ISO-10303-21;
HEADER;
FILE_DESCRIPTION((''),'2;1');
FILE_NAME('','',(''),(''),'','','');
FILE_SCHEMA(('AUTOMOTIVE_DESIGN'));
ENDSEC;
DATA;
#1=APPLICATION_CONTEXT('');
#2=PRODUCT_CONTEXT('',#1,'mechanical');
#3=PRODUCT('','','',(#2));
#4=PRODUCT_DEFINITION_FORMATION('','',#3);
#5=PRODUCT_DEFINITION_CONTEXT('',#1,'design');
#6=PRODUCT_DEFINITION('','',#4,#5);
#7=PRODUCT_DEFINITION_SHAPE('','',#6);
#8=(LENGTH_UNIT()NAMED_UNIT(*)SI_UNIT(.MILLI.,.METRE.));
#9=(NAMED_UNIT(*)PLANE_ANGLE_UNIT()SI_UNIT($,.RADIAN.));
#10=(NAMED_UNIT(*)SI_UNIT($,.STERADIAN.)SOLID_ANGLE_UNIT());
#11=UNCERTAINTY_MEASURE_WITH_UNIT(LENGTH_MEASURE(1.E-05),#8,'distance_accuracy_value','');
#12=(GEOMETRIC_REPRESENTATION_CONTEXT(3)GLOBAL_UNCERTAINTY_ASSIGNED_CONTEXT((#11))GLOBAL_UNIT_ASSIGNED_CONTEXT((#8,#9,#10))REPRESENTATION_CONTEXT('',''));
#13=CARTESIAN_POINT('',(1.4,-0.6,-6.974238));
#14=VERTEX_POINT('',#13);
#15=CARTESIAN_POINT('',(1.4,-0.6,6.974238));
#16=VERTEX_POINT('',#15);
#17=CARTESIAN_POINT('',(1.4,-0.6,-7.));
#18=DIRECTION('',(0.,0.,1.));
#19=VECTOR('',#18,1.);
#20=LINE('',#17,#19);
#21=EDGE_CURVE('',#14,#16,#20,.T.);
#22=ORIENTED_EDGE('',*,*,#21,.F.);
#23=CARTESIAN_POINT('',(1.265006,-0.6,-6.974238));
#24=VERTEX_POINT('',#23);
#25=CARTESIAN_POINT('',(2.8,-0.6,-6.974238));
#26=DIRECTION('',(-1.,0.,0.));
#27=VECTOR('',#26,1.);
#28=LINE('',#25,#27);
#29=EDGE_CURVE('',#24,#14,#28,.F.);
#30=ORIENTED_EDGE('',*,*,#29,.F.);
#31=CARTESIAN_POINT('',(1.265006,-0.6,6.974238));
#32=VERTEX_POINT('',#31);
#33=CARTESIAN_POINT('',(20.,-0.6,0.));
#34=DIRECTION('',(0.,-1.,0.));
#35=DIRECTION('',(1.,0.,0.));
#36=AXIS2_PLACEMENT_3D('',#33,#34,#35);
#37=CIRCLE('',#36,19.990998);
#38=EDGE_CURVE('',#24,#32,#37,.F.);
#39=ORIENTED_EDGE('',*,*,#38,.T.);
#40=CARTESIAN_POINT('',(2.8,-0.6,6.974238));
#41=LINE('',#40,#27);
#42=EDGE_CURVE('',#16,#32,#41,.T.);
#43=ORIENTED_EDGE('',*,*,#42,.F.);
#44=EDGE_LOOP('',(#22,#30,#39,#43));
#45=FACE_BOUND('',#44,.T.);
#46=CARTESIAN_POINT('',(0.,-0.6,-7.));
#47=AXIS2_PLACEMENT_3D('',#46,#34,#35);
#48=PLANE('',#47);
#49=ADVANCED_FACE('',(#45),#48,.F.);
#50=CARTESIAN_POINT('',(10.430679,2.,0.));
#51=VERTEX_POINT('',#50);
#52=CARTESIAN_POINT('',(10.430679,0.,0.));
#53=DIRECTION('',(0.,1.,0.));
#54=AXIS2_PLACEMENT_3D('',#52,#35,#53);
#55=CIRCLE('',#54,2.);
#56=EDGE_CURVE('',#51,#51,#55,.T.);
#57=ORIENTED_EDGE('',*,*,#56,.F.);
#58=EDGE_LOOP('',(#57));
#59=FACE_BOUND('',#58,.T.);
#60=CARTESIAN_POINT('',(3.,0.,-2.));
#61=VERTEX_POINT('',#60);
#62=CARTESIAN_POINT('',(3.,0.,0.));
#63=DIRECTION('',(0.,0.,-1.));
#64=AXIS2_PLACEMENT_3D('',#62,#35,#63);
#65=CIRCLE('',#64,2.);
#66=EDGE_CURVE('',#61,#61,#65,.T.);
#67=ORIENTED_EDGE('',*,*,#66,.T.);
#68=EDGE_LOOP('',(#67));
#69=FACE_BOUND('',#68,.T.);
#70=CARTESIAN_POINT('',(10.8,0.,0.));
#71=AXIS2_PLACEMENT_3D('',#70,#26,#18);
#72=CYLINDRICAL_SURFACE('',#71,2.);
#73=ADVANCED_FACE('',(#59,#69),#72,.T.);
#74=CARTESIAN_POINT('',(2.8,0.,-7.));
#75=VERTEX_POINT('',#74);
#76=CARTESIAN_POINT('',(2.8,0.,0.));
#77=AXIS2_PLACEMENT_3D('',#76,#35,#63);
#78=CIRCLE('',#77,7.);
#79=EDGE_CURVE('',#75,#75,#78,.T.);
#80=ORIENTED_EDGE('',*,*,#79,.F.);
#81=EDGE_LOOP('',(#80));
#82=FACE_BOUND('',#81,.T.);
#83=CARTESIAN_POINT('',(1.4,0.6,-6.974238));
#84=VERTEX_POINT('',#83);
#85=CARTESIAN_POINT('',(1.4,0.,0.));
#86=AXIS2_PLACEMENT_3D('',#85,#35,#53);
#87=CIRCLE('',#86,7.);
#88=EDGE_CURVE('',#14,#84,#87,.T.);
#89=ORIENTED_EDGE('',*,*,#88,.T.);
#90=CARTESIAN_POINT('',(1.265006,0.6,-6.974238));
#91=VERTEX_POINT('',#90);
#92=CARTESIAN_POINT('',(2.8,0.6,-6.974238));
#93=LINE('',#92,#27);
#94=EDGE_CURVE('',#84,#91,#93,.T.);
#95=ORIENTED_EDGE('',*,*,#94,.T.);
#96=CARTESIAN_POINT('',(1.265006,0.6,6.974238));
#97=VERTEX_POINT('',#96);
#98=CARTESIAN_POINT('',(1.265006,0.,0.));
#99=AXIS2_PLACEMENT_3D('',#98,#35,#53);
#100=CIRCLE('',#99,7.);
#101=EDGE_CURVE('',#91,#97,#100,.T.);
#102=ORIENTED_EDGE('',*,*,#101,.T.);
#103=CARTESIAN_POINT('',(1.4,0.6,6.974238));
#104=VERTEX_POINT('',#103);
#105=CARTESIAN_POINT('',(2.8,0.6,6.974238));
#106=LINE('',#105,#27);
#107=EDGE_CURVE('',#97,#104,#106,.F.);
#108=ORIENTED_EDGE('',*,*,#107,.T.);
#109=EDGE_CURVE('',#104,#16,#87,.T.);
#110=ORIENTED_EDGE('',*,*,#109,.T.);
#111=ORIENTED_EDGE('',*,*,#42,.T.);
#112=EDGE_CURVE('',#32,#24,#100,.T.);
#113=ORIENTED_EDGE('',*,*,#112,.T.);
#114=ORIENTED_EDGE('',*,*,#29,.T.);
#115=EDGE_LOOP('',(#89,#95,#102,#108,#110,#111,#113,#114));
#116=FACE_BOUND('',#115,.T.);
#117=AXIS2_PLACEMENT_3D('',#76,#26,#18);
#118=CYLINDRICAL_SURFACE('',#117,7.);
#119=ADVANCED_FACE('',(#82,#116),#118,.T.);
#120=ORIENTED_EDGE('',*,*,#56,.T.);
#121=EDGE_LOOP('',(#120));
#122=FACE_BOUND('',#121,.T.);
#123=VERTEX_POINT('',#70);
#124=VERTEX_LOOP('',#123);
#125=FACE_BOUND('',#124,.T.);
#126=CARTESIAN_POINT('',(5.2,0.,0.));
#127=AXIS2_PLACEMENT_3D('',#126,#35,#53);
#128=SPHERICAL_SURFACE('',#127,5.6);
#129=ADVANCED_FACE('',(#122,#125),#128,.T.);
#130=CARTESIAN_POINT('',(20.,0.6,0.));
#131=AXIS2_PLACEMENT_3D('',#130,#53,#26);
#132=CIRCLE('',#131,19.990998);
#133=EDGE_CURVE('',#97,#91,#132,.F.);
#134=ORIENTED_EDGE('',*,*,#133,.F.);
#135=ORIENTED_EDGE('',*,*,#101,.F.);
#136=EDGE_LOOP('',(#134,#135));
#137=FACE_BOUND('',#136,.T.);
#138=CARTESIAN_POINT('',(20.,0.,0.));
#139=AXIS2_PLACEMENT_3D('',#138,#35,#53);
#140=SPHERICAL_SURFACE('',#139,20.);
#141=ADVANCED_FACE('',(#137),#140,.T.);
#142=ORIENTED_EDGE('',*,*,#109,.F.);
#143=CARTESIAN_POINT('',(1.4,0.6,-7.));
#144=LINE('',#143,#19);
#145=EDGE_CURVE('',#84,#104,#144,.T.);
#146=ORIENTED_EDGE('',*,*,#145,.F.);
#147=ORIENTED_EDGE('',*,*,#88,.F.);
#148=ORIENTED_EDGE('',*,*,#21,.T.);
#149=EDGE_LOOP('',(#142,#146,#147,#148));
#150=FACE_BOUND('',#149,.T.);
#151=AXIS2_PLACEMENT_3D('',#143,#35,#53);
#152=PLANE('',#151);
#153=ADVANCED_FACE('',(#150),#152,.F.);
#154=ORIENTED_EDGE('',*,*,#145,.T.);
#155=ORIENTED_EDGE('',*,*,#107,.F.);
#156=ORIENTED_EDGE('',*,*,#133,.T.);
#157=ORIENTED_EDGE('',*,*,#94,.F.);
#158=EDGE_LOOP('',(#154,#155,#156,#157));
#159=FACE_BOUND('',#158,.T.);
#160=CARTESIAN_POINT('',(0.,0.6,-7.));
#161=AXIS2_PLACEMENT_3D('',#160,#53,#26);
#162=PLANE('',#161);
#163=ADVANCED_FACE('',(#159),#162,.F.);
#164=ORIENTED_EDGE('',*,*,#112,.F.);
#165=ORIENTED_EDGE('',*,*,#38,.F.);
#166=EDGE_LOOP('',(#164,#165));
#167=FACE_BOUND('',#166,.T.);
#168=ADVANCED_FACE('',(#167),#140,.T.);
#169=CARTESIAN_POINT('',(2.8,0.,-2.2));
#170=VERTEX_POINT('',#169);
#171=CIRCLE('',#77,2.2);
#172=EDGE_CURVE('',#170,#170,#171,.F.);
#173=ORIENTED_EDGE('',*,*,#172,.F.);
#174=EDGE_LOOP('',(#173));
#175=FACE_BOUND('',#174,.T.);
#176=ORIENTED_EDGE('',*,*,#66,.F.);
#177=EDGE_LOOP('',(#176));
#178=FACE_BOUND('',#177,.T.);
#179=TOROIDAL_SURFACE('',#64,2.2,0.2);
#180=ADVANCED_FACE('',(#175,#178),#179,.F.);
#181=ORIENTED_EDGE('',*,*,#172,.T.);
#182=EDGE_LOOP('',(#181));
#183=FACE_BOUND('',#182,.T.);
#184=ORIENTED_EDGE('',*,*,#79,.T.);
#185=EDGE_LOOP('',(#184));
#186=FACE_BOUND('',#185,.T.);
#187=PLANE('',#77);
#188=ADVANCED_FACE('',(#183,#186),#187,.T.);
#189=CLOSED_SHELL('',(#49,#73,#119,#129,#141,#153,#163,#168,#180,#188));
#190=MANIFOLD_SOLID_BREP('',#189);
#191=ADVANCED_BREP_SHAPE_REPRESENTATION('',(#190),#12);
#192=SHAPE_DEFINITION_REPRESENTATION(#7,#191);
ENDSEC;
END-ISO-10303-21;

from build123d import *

# Parameters (mm, degrees)
SKETCH1_R       = 7
BASEHEAD_DEPTH  = 2.8
SKETCH2_R       = 2
BASEBODY_DEPTH  = 8
SLOT_DEPTH      = 15.650597257
SLOT_DEPTH_BACK = 15.650597257
SKETCH3_W       = 1.4
SKETCH3_H       = 1.2
HEADFILLET_R    = 0.2


with BuildPart() as part:
    # Sketch1 → BaseHead (new body)
    with BuildSketch(Plane(origin=(0, 0, 0), x_dir=(0, 0, -1), z_dir=(1, 0, 0))):
        Circle(SKETCH1_R)
    extrude(amount=BASEHEAD_DEPTH)

    # Sketch2 → BaseBody (add)
    with BuildSketch(Plane(origin=(2.8, 0.067556317, 0.30150137), x_dir=(0, 0, -1), z_dir=(1, 0, 0))):
        with Locations((0.30150137, -0.067556317)):
            Circle(SKETCH2_R)
    extrude(amount=BASEBODY_DEPTH)

    # Sketch3 → Slot (cut, two sides: drawn at the far end of the back side and taken through both)
    with BuildSketch(Plane.XY.offset(-SLOT_DEPTH_BACK)):
        with Locations((0.7, 0)):
            Rectangle(SKETCH3_W, SKETCH3_H)
    extrude(amount=SLOT_DEPTH + SLOT_DEPTH_BACK, mode=Mode.SUBTRACT)

    # Sketch4 → BaseTop (revolve, cut)
    with BuildSketch(Plane(origin=(-5.763764327, 3.913764327, 0), x_dir=(0, -1, 0), z_dir=(0, 0, 1))):
        with BuildLine():
            Line((1.913764327, 18.563764327), (1.913764327, 16.194443059))
            ThreePointArc((1.913764327, 16.194443059), (2.896857473, 16.470660045), (3.913764327, 16.563764327))
            Line((3.913764327, 16.563764327), (3.913764327, 18.563764327))
            Line((3.913764327, 18.563764327), (1.913764327, 18.563764327))
        make_face()
        with BuildLine():
            Line((-3.086235673, 3.763764327), (3.913764327, 3.763764327))
            Line((3.913764327, 3.763764327), (3.913764327, 5.763764327))
            ThreePointArc((3.913764327, 5.763764327), (0.357072037, 6.08255654), (-3.086235673, 7.028770332))
            Line((-3.086235673, 7.028770332), (-3.086235673, 3.763764327))
        make_face()
    revolve(axis=Axis((9.335097479, 0, 0), (-1, 0, 0)), mode=Mode.SUBTRACT)

    # HeadFillet
    headfillet_edges = [part.edges().sort_by_distance(p)[0] for p in [
        (2.8, 0, 2),
    ]]
    fillet(headfillet_edges, radius=HEADFILLET_R)


solid = part.part
